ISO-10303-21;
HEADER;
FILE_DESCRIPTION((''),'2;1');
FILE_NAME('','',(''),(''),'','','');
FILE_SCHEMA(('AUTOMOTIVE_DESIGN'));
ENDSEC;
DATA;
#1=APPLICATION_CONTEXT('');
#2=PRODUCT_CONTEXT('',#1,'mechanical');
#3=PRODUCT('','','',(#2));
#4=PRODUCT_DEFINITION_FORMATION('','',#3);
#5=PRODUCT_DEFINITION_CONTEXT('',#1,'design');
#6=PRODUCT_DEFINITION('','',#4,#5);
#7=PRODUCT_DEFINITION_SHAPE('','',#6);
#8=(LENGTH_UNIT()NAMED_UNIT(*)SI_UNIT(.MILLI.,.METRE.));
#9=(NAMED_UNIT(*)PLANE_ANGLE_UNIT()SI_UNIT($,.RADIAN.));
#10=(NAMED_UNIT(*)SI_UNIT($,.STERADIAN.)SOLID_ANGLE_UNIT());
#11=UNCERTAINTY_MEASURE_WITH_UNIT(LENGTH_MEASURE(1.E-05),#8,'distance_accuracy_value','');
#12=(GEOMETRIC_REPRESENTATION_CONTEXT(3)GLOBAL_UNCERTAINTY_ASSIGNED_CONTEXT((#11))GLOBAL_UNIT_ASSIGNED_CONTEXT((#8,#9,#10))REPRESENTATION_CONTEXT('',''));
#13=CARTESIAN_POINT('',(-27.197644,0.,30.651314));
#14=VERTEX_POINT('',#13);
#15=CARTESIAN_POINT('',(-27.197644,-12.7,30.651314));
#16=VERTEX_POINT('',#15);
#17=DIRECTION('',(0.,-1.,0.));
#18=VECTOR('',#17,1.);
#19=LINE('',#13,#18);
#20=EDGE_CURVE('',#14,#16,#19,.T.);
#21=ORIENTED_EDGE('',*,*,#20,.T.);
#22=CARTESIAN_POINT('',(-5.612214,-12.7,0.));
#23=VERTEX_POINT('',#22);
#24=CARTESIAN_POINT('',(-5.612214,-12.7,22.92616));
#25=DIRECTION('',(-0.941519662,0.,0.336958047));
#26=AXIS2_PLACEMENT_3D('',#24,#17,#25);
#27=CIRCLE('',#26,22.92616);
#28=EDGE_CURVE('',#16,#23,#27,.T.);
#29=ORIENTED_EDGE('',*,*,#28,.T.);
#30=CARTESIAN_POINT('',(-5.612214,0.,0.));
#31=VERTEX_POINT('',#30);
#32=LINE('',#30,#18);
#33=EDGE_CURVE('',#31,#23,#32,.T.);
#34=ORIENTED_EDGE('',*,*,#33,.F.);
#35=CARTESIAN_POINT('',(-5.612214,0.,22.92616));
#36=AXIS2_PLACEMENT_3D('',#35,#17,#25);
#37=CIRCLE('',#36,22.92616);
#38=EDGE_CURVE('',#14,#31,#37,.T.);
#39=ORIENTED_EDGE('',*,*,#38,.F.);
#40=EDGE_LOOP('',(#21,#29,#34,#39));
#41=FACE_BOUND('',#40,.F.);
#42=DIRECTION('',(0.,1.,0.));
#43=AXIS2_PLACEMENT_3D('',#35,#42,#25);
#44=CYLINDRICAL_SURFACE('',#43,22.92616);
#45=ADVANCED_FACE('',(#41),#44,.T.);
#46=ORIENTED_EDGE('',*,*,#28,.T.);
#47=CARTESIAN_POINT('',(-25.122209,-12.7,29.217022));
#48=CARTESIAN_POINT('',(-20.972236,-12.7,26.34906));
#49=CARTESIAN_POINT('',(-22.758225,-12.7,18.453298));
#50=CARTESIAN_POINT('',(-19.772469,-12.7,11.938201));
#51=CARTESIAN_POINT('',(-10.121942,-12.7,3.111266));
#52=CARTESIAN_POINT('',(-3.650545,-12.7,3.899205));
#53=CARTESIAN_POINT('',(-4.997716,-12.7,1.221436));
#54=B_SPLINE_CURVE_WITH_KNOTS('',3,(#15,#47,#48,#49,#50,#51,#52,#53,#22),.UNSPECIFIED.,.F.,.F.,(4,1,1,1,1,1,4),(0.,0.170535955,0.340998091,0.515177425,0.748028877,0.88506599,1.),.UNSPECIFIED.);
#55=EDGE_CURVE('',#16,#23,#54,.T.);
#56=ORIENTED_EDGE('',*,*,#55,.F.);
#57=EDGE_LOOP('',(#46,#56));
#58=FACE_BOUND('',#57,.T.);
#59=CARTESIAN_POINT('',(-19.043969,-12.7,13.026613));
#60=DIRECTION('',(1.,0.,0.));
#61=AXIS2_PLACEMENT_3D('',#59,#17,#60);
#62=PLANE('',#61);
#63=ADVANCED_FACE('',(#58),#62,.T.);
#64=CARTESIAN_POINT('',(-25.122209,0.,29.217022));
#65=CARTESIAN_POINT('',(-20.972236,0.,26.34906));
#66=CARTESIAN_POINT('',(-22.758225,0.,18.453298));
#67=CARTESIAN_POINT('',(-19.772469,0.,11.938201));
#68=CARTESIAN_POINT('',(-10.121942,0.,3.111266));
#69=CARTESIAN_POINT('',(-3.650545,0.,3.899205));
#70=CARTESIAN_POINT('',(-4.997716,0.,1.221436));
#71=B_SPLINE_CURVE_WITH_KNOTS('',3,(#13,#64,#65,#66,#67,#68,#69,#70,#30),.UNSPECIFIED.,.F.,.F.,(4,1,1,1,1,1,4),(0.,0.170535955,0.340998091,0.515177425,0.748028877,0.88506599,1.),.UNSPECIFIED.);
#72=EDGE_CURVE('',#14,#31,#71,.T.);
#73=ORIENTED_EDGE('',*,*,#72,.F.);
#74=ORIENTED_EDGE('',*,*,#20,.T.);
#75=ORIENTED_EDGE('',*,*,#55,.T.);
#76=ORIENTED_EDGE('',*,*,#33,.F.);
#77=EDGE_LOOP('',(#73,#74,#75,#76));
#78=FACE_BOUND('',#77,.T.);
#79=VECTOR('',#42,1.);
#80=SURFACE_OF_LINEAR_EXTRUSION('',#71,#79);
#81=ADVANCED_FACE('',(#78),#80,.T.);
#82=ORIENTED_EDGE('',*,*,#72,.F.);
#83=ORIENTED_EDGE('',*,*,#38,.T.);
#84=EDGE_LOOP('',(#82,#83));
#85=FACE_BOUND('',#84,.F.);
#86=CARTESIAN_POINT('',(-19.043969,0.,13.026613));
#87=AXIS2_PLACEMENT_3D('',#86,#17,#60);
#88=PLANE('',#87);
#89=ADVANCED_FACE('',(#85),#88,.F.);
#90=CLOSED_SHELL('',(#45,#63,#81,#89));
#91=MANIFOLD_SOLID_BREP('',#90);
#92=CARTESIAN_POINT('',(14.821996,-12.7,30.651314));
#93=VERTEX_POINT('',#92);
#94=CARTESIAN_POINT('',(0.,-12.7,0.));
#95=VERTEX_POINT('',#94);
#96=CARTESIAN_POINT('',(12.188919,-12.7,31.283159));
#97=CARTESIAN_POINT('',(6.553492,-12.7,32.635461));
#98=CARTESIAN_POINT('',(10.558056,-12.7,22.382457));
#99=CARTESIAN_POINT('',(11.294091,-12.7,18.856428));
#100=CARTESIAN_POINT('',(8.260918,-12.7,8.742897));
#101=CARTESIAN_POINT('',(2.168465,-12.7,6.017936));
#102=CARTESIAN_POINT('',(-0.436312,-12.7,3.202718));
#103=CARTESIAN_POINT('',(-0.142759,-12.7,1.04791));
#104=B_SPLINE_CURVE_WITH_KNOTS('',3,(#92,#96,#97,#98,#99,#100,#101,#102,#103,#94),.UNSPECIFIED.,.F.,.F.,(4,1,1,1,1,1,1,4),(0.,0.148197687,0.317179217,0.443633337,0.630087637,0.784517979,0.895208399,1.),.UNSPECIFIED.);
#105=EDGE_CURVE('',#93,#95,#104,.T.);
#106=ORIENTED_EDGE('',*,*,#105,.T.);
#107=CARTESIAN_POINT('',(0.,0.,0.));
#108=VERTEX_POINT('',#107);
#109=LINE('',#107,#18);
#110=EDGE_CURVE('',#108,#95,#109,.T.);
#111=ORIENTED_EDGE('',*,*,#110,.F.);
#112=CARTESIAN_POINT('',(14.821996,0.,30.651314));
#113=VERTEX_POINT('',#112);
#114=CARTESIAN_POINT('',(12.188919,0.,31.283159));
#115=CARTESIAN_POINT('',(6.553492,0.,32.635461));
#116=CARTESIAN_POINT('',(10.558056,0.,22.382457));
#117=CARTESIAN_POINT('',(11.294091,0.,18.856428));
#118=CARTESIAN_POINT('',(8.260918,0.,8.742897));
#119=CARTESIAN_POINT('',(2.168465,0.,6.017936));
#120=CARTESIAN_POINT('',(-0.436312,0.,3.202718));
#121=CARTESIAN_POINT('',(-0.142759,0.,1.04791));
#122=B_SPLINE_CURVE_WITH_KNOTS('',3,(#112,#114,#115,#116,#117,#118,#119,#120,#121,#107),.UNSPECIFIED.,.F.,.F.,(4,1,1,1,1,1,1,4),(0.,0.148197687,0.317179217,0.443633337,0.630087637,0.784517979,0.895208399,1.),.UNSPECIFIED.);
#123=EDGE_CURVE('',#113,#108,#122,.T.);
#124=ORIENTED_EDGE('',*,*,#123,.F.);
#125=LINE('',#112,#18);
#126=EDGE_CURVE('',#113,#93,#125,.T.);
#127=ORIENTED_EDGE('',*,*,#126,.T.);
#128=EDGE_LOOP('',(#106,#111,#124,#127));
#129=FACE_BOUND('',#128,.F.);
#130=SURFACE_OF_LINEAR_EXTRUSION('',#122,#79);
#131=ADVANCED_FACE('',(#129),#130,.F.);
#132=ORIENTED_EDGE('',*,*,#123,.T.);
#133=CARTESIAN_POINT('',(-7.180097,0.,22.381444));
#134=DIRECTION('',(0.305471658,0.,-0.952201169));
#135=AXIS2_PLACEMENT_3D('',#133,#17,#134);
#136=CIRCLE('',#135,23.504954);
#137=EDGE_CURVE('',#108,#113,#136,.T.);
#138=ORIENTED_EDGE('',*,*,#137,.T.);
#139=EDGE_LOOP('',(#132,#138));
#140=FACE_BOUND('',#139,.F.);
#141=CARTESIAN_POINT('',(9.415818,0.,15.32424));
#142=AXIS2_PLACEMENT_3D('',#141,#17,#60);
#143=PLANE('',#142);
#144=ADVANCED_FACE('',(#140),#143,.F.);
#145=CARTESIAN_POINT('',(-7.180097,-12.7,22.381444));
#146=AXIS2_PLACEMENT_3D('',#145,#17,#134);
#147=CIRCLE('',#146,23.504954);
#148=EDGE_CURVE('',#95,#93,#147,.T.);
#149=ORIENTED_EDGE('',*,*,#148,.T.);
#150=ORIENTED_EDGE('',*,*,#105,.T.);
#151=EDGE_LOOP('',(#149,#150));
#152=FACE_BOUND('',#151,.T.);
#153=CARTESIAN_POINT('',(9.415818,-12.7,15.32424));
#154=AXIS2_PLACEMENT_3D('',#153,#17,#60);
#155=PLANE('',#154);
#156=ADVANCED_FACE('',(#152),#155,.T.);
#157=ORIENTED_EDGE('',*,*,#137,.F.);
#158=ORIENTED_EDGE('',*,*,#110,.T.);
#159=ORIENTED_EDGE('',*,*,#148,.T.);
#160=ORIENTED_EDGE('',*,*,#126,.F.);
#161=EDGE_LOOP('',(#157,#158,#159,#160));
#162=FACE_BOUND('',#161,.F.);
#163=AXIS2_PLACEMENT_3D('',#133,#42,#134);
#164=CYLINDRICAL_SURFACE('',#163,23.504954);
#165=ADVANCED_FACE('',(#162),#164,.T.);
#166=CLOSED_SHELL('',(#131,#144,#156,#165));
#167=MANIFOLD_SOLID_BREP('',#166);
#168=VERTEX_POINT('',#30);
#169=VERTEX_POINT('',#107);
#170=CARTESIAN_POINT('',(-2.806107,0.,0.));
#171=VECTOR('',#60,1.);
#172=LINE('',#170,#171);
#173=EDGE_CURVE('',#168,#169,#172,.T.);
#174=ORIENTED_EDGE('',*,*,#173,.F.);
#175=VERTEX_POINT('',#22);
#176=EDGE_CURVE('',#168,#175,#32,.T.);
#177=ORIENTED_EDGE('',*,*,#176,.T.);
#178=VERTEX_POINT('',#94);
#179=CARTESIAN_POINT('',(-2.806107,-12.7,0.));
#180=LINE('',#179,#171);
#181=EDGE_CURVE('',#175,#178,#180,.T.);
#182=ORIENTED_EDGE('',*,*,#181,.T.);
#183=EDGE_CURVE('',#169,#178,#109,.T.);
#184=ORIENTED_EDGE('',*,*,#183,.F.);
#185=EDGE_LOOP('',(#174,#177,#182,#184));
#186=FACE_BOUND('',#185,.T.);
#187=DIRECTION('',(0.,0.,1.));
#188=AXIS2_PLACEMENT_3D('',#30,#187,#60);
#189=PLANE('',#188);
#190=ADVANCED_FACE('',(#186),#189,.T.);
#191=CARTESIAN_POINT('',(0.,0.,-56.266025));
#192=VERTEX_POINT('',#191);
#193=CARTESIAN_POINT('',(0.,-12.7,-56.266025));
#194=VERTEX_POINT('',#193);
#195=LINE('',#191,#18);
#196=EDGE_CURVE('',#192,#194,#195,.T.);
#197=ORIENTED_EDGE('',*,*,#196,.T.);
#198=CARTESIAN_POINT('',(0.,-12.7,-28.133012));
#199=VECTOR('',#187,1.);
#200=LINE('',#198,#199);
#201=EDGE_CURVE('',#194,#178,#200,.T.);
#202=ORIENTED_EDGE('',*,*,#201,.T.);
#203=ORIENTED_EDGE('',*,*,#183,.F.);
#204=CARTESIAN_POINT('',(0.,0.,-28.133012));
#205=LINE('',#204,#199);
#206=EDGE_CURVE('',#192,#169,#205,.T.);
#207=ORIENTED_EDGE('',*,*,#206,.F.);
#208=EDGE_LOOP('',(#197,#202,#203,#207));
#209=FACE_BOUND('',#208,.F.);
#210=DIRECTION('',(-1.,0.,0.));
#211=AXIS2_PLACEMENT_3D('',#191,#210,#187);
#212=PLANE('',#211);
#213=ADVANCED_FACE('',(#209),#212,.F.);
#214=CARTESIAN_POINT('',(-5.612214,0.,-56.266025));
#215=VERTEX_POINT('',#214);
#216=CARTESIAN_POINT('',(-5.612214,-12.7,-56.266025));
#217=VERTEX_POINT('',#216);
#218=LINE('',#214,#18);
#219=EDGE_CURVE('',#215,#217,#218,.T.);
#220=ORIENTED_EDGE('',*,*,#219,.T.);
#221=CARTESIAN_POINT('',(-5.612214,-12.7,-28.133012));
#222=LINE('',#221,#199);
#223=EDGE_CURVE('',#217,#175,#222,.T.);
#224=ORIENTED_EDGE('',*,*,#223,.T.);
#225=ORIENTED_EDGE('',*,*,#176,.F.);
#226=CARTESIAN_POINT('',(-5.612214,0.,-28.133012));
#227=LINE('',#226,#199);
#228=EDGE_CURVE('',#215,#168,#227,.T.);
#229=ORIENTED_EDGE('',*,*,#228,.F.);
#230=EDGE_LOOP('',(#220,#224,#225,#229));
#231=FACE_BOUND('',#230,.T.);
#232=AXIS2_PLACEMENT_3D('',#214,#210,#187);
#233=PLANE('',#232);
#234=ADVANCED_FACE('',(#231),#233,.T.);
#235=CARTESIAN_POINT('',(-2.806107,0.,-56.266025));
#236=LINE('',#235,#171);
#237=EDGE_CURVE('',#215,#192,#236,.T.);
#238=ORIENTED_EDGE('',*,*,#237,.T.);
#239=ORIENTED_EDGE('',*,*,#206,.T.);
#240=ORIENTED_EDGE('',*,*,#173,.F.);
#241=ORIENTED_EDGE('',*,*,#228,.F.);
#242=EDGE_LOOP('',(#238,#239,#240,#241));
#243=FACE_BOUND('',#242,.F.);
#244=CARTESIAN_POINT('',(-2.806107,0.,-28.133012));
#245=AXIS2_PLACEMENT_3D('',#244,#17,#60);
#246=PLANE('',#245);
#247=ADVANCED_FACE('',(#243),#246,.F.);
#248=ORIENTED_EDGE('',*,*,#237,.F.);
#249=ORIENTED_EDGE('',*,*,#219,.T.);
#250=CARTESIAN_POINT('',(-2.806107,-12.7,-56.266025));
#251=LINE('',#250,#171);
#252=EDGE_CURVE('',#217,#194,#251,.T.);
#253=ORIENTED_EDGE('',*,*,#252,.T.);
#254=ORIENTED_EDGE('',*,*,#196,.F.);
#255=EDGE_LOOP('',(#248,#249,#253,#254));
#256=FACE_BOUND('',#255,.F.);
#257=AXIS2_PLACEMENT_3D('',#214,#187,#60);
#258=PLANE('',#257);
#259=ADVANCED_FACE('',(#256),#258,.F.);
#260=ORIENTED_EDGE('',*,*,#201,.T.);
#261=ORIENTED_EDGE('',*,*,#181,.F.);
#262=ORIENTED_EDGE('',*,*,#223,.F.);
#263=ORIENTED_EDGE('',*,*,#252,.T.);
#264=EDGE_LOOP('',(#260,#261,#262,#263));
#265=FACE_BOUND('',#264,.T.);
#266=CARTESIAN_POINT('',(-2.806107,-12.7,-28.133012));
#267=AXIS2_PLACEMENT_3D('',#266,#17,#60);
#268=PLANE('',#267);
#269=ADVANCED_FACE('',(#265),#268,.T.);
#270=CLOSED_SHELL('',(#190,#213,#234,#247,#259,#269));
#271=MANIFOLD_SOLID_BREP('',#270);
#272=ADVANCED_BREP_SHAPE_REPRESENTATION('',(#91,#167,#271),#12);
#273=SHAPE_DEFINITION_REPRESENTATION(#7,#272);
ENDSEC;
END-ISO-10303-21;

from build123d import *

# Parameters (mm, degrees)
F1_DEPTH = 12.7
F0_W     = 5.6122136302
F0_H     = 56.2660247087


with BuildPart() as f1:
    # F0 (on Front) → F1 (new body)
    with BuildSketch(Plane.XZ):
        with BuildLine():
            add(Edge.make_bspline(
                [(14.821995981, 30.6513141841), (12.1889189933, 31.283159008), (6.5534916308, 32.6354611345), (10.5580563501, 22.3824570518), (11.2940908202, 18.85642848), (8.2609183428, 8.7428968869), (2.1684648523, 6.0179356006), (-0.4363118117, 3.2027177249), (-0.1427585983, 1.0479099604), (0, 0)],
                knots=[0, 0, 0, 0, 0.1481976866, 0.3171792174, 0.4436333366, 0.6300876375, 0.784517979, 0.8952083987, 1, 1, 1, 1], degree=3))
            ThreePointArc((0, 0), (13.9806169759, 12.1487993034), (14.821995981, 30.6513141841))
        make_face()
    extrude(amount=F1_DEPTH)


with BuildPart() as f1b:
    # F0 (on Front) → F1, piece 2 (new body)
    with BuildSketch(Plane.XZ):
        with Locations((-2.8061068151, -28.1330123544)):
            Rectangle(F0_W, F0_H)
    extrude(amount=F1_DEPTH)


with BuildPart() as f1c:
    # F0 (on Front) → F1, piece 3 (new body)
    with BuildSketch(Plane.XZ):
        with BuildLine():
            ThreePointArc((-27.1976441145, 30.6513141841), (-24.3567719766, 9.7257681112), (-5.6122136302, 0))
            add(Edge.make_bspline(
                [(-27.1976441145, 30.6513141841), (-25.1222087019, 29.2170224045), (-20.9722362609, 26.3490597007), (-22.7582250364, 18.4532976866), (-19.7724687707, 11.9382008659), (-10.1219424112, 3.111265905), (-3.6505446779, 3.8992051201), (-4.9977156073, 1.2214363868), (-5.6122136302, 0)],
                knots=[0, 0, 0, 0, 0.1705359553, 0.3409980915, 0.5151774254, 0.7480288767, 0.88506599, 1, 1, 1, 1], degree=3))
        make_face()
    extrude(amount=F1_DEPTH)


solid = Compound([f1.part, f1b.part, f1c.part])
